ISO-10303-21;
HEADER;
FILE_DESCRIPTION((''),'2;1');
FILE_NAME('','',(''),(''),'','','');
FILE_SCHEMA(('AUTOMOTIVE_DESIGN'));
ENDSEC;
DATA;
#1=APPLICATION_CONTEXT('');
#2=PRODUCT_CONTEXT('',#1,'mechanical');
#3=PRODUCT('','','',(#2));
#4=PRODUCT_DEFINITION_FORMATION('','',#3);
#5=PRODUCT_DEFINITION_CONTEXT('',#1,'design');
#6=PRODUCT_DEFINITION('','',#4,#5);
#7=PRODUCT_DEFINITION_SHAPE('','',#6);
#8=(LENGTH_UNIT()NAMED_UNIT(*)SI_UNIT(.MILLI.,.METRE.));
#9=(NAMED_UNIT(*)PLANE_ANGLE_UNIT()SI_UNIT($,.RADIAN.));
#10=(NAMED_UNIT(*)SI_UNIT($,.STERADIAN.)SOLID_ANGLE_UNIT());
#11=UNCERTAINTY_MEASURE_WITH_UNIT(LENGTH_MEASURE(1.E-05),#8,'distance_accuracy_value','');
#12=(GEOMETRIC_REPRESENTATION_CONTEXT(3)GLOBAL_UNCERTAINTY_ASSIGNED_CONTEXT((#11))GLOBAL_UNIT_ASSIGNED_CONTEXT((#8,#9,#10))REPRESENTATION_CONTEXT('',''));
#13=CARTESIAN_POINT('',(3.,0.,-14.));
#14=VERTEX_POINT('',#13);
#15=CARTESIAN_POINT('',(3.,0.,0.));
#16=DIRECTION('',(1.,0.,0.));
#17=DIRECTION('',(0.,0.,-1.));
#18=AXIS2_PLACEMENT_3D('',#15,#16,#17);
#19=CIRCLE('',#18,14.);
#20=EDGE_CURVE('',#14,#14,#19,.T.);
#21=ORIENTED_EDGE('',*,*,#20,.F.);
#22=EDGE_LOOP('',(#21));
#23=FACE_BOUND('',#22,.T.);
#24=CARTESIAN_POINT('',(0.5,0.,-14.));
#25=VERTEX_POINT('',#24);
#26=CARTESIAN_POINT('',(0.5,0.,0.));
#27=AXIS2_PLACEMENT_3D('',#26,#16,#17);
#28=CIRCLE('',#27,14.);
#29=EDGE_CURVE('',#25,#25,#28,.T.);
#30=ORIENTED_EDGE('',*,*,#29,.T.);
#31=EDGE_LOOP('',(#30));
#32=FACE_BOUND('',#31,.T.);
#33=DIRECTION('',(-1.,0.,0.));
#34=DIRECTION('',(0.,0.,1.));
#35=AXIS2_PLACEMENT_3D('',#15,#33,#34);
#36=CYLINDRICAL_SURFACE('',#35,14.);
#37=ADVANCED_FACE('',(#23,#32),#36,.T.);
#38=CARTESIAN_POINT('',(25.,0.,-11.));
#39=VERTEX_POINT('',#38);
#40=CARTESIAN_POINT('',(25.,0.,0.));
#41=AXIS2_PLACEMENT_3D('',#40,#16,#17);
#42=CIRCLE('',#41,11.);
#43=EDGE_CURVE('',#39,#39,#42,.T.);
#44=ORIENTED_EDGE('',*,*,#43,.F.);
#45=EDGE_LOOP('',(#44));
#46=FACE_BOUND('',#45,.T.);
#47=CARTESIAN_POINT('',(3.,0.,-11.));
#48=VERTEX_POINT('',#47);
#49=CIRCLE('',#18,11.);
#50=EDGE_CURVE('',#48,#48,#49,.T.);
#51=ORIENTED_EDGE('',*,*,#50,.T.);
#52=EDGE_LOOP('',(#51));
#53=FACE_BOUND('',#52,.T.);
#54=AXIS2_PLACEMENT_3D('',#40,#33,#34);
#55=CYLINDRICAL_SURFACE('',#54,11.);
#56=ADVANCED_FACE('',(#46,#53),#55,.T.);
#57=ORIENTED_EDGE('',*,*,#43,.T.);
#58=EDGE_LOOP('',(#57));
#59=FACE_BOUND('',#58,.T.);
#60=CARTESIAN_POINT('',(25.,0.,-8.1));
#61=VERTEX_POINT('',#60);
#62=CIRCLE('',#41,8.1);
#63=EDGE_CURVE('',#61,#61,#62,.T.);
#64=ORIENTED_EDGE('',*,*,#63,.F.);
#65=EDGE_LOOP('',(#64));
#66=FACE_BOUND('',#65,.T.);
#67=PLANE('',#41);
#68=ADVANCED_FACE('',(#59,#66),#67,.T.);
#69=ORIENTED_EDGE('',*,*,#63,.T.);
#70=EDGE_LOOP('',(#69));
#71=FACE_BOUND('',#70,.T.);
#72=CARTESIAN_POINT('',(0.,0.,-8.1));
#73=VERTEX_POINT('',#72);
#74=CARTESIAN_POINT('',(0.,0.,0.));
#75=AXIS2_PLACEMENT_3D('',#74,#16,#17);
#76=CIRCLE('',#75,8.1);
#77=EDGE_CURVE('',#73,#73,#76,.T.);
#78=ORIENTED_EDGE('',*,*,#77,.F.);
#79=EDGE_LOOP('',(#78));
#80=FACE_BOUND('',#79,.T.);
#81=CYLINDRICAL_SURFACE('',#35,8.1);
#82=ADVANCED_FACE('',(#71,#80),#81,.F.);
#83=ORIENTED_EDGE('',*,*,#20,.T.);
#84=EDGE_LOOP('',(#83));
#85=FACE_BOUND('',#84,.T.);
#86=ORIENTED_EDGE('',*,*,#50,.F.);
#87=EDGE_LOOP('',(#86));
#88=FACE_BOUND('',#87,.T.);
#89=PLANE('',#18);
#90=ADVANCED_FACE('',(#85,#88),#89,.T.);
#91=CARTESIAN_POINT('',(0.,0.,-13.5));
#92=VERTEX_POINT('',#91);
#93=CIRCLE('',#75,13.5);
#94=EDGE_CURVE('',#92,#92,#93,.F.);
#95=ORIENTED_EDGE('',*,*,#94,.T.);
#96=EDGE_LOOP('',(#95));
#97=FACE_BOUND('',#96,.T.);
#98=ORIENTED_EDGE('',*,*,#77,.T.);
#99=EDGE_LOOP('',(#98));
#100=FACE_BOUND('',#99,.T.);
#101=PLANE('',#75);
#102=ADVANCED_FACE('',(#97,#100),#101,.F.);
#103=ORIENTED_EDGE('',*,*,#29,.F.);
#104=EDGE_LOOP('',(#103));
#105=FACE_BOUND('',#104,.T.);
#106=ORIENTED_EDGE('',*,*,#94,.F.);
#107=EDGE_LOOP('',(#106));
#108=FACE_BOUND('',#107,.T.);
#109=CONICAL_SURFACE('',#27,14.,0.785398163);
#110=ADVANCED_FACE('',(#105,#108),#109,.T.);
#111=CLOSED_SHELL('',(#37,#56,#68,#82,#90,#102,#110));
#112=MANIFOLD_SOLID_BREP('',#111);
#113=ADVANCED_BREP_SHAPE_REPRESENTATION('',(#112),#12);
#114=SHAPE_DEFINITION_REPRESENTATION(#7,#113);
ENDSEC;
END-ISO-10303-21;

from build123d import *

# Parameters (mm, degrees)
SZKIC1_R                    = 14
SZKIC1_R_2                  = 8.1
DODANIE_WYCI_GNI_CIE1_DEPTH = 3
SZKIC2_R                    = 11
SZKIC2_R_2                  = 8.1
DODANIE_WYCI_GNI_CIE2_DEPTH = 22
SFAZOWANIE1_SIZE            = 0.5


with BuildPart() as part:
    # Szkic1 → Dodanie-wyciągnięcie1 (new body)
    with BuildSketch(Plane(origin=(0, 0, 0), x_dir=(0, 0, -1), z_dir=(1, 0, 0))):
        Circle(SZKIC1_R)
        Circle(SZKIC1_R_2, mode=Mode.SUBTRACT)
    extrude(amount=DODANIE_WYCI_GNI_CIE1_DEPTH)

    # Szkic2 → Dodanie-wyciągnięcie2 (add)
    with BuildSketch(Plane(origin=(3, 0, 0), x_dir=(0, 0, -1), z_dir=(1, 0, 0))):
        Circle(SZKIC2_R)
        Circle(SZKIC2_R_2, mode=Mode.SUBTRACT)
    extrude(amount=DODANIE_WYCI_GNI_CIE2_DEPTH)

    # Sfazowanie1
    sfazowanie1_edges = [part.edges().sort_by_distance(p)[0] for p in [
        (0, 0, 14),
    ]]
    chamfer(sfazowanie1_edges, length=SFAZOWANIE1_SIZE)


solid = part.part
